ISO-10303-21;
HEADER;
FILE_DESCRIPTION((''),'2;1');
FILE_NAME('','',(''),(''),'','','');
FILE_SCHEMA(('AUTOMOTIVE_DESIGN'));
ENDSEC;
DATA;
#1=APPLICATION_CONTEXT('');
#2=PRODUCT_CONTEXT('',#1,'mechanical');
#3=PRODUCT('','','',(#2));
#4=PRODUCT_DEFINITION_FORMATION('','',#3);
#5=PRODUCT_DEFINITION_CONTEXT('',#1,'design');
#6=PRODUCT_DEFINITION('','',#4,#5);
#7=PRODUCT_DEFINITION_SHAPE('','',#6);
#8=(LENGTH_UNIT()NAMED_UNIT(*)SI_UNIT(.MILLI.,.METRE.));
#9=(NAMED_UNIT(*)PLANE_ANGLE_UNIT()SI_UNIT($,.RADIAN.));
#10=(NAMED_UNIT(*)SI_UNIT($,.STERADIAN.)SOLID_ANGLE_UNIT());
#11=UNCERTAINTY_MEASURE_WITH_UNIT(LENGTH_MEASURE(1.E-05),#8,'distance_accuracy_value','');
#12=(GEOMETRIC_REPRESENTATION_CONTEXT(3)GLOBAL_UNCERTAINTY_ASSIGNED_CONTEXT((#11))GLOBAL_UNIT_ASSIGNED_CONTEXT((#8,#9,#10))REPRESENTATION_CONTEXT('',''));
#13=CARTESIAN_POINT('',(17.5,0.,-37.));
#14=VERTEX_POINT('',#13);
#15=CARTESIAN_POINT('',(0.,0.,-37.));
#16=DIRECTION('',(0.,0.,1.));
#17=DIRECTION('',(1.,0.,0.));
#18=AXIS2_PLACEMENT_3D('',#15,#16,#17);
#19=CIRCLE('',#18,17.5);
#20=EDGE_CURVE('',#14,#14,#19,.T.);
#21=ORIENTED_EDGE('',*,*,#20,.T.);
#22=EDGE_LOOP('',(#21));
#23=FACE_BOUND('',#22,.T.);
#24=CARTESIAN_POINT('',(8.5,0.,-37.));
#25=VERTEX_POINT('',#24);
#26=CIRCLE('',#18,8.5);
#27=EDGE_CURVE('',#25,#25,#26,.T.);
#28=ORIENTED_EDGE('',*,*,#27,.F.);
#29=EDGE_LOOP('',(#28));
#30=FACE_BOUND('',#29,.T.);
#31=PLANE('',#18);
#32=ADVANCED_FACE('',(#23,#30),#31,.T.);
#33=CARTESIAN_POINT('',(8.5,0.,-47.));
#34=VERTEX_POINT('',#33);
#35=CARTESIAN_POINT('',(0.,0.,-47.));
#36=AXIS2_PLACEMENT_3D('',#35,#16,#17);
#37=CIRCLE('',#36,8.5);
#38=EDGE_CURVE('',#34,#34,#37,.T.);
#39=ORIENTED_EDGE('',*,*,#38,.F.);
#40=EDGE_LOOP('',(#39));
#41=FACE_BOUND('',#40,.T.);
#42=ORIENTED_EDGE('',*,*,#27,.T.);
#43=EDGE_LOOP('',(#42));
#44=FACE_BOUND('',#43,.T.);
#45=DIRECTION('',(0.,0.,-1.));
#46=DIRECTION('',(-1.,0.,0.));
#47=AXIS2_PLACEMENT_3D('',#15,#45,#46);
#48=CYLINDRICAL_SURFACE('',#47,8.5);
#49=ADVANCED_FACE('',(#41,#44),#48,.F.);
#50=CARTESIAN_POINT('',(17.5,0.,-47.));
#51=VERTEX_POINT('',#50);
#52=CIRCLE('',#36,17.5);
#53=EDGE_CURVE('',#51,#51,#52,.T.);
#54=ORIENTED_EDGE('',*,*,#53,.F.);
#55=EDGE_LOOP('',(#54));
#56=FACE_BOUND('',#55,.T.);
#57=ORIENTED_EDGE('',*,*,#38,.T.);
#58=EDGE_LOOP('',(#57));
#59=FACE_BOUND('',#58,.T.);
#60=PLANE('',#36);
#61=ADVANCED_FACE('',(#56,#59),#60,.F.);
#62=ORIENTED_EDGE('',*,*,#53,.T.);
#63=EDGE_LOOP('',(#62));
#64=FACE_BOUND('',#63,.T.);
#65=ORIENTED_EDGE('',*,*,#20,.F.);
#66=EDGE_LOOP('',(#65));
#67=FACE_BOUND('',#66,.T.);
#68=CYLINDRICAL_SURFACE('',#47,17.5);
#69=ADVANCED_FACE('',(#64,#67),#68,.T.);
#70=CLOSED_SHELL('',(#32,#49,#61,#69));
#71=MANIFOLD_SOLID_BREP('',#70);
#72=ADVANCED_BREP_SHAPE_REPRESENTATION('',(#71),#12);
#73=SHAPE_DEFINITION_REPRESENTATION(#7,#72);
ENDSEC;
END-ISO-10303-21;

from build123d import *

# Parameters (mm, degrees)
REAR_BEARING_START = -47
SKETCH_1_R         = 17.5
SKETCH_1_R_2       = 8.5
REAR_BEARING_DEPTH = 10


with BuildPart() as part:
    # Эскиз1 → Rear_bearing (new body)
    with BuildSketch(Plane.XY.offset(REAR_BEARING_START)):
        Circle(SKETCH_1_R)
        Circle(SKETCH_1_R_2, mode=Mode.SUBTRACT)
    extrude(amount=REAR_BEARING_DEPTH)


solid = part.part
